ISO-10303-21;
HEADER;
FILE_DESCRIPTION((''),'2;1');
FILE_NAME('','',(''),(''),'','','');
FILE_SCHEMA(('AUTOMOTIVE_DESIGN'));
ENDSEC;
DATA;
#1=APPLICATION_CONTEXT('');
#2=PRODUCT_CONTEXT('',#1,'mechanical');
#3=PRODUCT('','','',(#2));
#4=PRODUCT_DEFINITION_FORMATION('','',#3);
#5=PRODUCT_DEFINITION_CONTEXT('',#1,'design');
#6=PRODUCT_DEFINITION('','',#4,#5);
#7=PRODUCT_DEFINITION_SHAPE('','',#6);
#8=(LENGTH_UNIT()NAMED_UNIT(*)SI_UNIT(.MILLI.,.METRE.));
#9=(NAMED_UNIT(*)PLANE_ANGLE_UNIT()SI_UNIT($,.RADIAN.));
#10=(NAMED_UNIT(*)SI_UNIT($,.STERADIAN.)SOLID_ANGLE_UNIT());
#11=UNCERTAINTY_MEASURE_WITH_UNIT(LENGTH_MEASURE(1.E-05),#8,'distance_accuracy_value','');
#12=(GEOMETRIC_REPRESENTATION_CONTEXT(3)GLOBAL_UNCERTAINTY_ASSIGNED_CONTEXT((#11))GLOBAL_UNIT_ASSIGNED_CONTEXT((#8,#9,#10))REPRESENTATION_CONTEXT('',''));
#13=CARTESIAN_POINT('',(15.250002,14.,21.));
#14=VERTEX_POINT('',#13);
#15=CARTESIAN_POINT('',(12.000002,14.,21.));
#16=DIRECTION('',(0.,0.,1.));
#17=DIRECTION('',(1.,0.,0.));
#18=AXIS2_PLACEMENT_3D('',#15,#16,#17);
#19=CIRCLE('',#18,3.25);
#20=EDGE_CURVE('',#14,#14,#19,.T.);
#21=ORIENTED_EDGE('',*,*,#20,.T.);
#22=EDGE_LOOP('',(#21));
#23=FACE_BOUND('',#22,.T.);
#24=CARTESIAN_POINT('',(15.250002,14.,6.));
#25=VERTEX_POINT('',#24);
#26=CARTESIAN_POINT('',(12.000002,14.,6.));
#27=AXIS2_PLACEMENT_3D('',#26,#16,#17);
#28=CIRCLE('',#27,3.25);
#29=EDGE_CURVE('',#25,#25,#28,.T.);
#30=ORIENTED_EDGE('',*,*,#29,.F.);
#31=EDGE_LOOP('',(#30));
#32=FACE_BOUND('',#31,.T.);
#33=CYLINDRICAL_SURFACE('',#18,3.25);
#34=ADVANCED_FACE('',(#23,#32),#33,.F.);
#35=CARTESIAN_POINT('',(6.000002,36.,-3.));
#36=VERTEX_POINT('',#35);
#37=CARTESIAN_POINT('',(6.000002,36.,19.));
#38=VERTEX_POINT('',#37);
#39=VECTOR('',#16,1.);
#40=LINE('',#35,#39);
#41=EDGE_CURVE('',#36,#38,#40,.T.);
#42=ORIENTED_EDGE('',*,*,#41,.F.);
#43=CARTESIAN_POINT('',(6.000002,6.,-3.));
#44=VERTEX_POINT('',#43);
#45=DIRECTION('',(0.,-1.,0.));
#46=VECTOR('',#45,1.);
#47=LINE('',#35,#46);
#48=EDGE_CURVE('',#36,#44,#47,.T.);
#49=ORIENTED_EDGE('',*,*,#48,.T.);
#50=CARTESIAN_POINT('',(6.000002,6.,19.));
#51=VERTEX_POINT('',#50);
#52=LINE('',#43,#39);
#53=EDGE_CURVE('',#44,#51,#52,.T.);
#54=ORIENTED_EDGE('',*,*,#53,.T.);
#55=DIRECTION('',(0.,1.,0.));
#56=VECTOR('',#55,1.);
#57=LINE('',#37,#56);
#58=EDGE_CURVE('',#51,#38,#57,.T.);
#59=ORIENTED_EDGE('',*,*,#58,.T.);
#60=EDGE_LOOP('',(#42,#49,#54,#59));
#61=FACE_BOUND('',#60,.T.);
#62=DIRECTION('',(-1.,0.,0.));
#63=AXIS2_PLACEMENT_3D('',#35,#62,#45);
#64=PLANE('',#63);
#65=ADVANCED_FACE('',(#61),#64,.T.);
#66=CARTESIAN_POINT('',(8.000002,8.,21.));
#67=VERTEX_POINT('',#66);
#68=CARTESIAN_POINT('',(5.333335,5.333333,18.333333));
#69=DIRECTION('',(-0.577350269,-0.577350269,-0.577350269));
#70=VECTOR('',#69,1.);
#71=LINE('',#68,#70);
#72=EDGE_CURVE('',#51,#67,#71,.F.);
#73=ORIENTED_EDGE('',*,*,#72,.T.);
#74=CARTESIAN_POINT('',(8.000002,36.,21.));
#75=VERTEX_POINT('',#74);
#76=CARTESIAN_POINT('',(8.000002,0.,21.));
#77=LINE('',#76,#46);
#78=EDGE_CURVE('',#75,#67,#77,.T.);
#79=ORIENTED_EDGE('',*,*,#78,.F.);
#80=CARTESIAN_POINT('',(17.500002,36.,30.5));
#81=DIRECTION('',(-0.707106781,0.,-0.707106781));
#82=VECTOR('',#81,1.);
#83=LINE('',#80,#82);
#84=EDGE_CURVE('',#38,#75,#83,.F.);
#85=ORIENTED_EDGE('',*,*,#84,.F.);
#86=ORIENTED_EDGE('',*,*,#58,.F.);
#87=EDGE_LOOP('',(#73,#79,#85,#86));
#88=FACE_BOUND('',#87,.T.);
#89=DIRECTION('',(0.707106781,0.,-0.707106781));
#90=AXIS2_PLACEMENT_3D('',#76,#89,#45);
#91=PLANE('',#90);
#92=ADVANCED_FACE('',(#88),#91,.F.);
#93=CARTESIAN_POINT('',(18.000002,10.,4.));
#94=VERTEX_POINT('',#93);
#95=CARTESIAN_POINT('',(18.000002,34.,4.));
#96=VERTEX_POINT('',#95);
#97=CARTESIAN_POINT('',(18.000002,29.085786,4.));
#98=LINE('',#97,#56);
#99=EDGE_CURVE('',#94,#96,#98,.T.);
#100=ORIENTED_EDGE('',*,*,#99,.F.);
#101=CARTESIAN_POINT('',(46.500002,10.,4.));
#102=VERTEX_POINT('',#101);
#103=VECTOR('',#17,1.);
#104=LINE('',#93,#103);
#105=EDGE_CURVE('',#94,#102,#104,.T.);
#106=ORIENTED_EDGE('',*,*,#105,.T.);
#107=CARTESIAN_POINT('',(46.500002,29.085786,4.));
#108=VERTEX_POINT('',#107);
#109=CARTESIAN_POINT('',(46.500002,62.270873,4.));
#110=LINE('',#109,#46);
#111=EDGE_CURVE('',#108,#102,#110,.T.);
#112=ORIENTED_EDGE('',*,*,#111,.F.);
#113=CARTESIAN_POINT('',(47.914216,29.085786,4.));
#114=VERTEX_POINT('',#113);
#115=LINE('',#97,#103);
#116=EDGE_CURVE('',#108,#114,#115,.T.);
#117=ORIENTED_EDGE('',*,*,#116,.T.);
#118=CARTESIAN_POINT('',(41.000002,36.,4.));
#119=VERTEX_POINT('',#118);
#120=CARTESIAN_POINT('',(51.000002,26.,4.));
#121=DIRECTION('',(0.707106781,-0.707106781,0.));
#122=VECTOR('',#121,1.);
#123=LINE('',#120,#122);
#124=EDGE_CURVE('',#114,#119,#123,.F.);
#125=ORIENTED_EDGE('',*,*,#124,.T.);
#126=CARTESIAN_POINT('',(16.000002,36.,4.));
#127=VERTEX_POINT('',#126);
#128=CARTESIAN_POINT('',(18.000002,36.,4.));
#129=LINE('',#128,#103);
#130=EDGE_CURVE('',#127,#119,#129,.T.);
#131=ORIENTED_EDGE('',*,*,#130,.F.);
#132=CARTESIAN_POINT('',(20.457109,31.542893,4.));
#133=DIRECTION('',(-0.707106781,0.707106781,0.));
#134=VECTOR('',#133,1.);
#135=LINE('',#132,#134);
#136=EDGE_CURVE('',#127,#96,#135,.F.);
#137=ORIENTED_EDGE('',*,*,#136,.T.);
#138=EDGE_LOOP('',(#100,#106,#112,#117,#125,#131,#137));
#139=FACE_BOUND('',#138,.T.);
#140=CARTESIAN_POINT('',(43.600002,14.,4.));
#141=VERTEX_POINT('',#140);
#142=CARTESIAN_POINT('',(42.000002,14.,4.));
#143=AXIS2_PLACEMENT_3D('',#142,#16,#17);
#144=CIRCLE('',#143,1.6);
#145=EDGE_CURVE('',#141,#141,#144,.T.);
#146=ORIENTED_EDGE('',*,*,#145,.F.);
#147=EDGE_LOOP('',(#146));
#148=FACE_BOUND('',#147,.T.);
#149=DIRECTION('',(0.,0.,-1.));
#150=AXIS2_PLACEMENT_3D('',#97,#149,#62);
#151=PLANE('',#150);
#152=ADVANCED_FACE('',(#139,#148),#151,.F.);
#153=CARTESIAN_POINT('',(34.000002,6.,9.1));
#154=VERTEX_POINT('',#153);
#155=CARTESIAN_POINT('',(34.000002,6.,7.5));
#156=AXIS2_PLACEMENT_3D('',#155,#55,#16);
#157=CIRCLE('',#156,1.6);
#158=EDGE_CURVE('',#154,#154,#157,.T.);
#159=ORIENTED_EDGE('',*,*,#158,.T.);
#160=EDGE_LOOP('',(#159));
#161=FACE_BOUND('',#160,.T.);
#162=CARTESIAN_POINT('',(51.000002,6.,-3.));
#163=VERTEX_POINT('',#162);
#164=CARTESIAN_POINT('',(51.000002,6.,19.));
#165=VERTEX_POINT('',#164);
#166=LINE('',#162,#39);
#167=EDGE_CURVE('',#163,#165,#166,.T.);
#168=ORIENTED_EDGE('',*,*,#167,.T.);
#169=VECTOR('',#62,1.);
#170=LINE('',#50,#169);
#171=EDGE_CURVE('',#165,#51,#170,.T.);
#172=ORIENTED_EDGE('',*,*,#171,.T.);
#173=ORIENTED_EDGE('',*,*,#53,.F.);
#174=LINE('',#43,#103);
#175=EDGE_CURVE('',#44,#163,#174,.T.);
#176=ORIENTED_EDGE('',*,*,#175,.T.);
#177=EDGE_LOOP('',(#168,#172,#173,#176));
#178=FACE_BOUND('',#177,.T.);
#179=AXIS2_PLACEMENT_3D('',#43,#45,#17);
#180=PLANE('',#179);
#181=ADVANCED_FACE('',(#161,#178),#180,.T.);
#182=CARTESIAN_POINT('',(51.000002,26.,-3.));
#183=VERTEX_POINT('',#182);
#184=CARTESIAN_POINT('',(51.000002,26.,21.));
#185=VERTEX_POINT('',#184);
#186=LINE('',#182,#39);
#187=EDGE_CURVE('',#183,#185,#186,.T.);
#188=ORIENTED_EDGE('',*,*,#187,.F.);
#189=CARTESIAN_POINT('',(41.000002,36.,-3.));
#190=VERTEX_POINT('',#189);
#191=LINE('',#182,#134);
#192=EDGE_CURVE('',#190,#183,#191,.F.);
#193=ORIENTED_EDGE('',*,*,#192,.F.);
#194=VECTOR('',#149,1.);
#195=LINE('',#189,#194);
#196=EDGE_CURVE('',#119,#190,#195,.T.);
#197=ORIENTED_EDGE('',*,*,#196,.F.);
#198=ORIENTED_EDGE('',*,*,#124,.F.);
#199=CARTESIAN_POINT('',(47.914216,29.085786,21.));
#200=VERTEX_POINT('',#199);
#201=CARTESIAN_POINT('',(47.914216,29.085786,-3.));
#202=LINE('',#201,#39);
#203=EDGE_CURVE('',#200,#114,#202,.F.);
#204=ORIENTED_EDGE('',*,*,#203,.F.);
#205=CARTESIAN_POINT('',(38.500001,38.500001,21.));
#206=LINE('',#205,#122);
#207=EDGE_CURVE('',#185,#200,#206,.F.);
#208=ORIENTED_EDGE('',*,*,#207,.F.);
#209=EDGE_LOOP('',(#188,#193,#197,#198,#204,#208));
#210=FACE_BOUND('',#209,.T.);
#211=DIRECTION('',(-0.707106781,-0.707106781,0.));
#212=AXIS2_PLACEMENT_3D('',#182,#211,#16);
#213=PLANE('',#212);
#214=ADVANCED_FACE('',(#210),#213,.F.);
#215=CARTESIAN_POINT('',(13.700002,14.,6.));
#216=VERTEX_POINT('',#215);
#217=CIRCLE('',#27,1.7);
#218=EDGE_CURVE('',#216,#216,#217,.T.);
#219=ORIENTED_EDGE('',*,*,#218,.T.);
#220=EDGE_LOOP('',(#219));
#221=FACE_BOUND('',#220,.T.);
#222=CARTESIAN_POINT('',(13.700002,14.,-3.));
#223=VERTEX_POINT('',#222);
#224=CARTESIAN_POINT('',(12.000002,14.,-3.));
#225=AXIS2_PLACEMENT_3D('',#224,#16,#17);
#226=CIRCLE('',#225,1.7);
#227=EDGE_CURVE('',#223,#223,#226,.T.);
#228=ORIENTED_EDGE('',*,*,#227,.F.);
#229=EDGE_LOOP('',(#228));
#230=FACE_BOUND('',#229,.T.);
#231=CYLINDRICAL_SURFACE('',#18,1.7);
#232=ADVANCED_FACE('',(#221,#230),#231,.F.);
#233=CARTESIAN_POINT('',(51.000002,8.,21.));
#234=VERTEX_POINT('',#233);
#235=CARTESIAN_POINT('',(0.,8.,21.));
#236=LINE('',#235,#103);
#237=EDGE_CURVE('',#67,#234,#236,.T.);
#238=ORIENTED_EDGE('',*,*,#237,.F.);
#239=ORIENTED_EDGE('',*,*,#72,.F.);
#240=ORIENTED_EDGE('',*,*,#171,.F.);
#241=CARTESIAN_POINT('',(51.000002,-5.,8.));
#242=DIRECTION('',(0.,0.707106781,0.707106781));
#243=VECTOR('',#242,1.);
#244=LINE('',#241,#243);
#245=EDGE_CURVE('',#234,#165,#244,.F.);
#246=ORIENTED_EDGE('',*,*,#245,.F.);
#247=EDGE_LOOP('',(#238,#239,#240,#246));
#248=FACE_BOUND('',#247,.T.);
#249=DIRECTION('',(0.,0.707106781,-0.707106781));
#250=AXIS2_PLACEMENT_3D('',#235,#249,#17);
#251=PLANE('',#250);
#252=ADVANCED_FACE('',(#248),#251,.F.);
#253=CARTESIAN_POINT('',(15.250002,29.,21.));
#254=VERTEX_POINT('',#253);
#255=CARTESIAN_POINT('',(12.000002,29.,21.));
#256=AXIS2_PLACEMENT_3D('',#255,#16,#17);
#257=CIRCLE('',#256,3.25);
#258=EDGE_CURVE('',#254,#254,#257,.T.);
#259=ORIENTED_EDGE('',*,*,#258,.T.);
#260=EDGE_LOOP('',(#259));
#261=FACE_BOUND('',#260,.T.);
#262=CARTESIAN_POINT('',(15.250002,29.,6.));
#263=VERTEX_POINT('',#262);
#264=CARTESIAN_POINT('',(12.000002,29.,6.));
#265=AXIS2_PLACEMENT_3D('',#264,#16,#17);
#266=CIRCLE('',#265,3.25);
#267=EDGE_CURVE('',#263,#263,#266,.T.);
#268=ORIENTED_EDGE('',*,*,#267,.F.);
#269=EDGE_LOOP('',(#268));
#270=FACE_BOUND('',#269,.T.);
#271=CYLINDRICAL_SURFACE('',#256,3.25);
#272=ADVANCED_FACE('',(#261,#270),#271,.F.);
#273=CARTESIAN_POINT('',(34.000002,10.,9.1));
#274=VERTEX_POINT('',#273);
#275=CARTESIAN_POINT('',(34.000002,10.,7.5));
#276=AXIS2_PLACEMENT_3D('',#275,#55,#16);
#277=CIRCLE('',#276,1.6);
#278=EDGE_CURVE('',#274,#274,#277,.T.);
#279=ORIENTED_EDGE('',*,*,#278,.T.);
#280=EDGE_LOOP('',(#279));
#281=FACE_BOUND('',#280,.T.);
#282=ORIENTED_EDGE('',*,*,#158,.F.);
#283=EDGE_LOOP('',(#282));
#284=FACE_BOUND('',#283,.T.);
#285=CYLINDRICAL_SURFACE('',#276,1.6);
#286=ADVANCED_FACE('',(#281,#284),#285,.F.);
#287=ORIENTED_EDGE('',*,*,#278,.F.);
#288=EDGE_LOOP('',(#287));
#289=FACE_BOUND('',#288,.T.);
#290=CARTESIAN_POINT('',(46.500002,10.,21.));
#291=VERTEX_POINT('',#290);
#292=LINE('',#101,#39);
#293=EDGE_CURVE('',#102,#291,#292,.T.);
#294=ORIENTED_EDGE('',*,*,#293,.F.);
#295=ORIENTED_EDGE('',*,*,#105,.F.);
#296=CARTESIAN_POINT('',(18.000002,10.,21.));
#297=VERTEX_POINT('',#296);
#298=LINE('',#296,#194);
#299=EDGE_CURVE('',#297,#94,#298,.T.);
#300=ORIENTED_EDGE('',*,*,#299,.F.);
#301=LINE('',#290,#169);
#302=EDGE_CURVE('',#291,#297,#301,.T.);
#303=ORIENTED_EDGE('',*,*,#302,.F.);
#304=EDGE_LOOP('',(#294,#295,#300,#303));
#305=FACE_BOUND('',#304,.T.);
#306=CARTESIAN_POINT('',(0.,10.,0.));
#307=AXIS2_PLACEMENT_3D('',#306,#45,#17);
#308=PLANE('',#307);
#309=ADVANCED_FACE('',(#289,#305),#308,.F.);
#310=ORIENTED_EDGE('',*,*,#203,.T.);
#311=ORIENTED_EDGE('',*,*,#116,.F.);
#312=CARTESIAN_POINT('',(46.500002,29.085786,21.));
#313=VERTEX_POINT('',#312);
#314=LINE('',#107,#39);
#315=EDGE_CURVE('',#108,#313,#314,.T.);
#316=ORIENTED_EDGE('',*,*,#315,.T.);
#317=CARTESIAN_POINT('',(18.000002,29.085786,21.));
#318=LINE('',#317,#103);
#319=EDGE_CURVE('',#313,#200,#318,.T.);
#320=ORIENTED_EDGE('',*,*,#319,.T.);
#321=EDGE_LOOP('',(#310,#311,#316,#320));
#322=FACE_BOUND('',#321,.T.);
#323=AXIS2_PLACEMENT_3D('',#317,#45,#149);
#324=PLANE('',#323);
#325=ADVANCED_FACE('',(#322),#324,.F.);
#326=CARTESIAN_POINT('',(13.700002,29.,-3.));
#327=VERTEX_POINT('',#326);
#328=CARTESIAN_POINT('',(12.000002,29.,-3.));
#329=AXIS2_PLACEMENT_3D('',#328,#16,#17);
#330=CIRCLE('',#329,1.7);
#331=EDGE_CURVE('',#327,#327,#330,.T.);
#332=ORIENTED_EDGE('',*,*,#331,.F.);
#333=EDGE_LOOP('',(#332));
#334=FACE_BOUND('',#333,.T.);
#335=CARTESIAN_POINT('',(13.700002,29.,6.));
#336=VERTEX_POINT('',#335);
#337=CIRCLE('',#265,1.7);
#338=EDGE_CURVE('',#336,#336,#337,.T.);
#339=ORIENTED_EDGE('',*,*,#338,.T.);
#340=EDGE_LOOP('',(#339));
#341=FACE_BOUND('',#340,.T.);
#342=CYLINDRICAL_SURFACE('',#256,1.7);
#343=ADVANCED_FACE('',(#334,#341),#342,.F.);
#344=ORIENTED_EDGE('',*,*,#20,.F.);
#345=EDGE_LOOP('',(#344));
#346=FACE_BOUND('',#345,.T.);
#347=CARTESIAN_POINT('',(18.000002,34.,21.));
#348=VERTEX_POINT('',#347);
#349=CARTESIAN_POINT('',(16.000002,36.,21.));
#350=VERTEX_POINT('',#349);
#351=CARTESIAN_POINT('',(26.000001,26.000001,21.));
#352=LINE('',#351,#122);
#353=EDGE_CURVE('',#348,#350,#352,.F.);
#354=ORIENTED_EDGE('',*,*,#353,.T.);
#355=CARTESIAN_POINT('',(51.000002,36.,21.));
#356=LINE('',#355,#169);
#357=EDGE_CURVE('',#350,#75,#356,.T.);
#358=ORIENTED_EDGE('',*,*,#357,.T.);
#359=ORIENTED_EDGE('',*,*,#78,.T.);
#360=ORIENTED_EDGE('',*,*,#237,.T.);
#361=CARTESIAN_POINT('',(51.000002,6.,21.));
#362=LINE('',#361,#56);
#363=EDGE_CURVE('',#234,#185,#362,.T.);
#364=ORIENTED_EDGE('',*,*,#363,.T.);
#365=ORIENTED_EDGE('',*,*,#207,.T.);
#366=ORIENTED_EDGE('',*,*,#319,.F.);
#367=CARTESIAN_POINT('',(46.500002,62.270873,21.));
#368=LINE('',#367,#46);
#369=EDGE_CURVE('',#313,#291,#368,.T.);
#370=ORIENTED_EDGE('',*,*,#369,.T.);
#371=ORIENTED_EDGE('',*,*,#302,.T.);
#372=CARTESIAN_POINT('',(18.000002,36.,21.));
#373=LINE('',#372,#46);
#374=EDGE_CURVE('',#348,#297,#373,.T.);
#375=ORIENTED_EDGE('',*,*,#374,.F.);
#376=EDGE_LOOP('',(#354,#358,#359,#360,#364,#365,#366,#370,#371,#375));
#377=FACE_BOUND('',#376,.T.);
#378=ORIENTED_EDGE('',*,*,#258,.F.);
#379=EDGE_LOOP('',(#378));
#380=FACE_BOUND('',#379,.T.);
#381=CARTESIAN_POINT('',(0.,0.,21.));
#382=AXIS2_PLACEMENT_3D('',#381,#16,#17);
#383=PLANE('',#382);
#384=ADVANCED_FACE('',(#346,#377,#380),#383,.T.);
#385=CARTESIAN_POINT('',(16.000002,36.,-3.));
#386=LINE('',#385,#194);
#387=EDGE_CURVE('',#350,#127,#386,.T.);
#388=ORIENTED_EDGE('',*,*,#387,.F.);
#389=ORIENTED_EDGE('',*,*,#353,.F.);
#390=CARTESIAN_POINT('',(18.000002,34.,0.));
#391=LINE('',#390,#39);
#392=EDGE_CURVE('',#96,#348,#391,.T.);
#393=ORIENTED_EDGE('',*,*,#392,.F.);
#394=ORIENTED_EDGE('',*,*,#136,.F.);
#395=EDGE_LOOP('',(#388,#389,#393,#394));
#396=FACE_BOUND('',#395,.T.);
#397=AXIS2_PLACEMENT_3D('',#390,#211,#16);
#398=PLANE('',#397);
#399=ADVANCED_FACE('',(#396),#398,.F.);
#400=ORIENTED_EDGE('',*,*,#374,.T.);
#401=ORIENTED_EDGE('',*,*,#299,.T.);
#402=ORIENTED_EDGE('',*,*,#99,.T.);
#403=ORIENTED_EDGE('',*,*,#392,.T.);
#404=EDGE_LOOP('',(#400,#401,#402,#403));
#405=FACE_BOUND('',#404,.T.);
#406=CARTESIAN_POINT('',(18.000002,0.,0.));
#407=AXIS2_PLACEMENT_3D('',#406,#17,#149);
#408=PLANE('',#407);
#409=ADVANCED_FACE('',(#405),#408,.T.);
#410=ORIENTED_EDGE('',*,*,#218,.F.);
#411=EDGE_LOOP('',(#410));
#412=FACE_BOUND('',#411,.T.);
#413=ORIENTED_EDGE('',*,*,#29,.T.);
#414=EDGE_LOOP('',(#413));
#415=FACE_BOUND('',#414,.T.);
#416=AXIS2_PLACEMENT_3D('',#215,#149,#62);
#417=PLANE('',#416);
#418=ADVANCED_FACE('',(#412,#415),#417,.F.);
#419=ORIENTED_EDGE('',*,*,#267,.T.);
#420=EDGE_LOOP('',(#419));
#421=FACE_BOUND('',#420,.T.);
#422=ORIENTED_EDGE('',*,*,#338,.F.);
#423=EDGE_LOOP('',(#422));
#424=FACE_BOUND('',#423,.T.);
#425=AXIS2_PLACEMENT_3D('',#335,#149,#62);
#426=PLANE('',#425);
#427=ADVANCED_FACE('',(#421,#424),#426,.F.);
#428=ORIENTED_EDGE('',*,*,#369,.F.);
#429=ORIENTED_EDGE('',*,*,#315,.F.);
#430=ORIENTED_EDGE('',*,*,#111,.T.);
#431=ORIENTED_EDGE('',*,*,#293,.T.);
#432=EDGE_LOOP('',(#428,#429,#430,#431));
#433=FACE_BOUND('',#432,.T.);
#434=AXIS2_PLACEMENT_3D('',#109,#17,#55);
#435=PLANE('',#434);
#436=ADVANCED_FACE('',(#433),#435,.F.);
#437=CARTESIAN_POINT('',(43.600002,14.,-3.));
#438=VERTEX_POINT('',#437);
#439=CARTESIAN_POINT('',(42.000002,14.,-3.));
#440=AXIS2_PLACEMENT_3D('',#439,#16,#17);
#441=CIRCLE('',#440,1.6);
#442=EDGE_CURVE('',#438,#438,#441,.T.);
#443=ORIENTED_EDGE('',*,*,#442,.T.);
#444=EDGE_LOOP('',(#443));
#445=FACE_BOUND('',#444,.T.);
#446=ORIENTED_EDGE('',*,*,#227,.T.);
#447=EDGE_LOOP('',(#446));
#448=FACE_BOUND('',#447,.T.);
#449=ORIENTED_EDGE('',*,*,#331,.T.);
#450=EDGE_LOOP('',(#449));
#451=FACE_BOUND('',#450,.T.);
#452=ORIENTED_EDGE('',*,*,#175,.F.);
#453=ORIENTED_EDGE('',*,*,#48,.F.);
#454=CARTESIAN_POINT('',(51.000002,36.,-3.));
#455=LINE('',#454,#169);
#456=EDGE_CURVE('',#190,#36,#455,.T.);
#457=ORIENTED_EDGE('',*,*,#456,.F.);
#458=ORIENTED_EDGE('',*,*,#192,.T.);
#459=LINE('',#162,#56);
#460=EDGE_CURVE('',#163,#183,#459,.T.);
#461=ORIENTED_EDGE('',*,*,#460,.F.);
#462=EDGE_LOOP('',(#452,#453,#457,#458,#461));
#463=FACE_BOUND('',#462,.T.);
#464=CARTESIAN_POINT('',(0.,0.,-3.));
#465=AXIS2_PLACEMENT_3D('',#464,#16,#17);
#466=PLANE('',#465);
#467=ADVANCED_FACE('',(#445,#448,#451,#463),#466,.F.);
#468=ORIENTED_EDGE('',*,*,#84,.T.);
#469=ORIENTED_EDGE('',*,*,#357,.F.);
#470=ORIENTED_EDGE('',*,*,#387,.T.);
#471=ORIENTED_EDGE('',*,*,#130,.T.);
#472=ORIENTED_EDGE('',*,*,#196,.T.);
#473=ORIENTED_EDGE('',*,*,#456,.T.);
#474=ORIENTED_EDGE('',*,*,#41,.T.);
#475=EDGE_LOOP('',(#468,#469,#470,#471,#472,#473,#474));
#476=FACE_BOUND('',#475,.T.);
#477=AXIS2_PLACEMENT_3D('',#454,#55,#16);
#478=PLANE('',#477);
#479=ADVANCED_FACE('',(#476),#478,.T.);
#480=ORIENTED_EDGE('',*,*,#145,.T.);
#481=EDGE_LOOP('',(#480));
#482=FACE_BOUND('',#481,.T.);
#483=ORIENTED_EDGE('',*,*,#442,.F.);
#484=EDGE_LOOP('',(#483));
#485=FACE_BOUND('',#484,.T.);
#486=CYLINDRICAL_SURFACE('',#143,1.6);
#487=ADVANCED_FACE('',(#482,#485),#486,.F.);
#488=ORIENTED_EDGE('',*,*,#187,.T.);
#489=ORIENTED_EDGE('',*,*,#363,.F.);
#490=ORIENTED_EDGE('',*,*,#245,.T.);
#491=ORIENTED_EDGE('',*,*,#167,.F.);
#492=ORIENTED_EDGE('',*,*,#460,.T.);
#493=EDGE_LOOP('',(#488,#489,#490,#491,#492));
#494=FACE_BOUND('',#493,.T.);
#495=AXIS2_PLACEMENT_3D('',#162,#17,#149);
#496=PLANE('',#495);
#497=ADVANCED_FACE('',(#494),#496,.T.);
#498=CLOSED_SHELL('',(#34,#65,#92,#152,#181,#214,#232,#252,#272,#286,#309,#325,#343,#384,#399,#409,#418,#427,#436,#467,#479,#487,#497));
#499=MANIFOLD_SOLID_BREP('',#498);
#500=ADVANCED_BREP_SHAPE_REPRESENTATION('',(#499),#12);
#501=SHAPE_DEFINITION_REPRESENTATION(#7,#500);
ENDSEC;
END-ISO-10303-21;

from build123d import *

# Parameters (mm, degrees)
SKETCH_1_W                  = 45
SKETCH_1_H                  = 30
EXTRUDE_1_DEPTH             = 24
SKETCH_2_W                  = 17
SKETCH_2_H                  = 6.914213562
CUT_EXTRUDE_1_DEPTH         = 33
CUT_EXTRUDE_2_REACH         = 62.975
SKETCH_4_W                  = 28.5
SKETCH_4_H                  = 17
HOLE_WIZARD_3_2_3_2_1_D     = 3.2
HOLE_WIZARD_3_2_3_2_2_D     = 3.2
HOLE_WIZARD_M31_D           = 3.4
HOLE_WIZARD_M31_CBORE_D     = 6.5
HOLE_WIZARD_M31_CBORE_DEPTH = 15
CHAMFER_1_SIZE              = 2
CHAMFER_2_SIZE              = 10


with BuildPart() as part:
    # Эскиз1 → Бобышка-Вытянуть1 (new body)
    with BuildSketch(Plane.XY.offset(21)):
        with Locations((28.500002027, 21)):
            Rectangle(SKETCH_1_W, SKETCH_1_H)
    extrude(amount=-EXTRUDE_1_DEPTH)

    # Эскиз2 → Вырез-Вытянуть1 (cut)
    with BuildSketch(Plane(origin=(51.000002027, 0, 0), x_dir=(0, 0, -1), z_dir=(1, 0, 0))):
        with Locations((-12.5, 32.542893219)):
            Rectangle(SKETCH_2_W, SKETCH_2_H)
    extrude(amount=-CUT_EXTRUDE_1_DEPTH, mode=Mode.SUBTRACT)

    # Эскиз4 → Вырез-Вытянуть2 (cut, up to next)
    with BuildSketch(Plane.XZ.offset(-10), mode=Mode.PRIVATE) as cut_extrude_2_sk1:
        with Locations((32.250002027, 12.5)):
            Rectangle(SKETCH_4_W, SKETCH_4_H)
    cut_extrude_2_tool1 = extrude(cut_extrude_2_sk1.sketch, amount=-CUT_EXTRUDE_2_REACH, mode=Mode.PRIVATE) & part.part
    add(cut_extrude_2_tool1.solids().sort_by_distance((32.250002, 10, 12.5))[0], mode=Mode.SUBTRACT)

    # Диаметр отверстия Ø3.2 (3.2)1 (through all)
    with Locations(Plane.XY.offset(4)):
        with Locations((42.000002027, 14)):
            Hole(HOLE_WIZARD_3_2_3_2_1_D / 2)

    # Диаметр отверстия Ø3.2 (3.2)2 (through all)
    with Locations(Plane(origin=(0, 10, 0), x_dir=(1, 0, 0), z_dir=(0, 1, 0))):
        with Locations((34.000002027, -7.5)):
            Hole(HOLE_WIZARD_3_2_3_2_2_D / 2)

    # Цековка для винта с заклепочной головкой M31 (through all)
    with Locations(Plane.XY.offset(21)):
        with Locations((12.000002027, 29), (12.000002027, 14)):
            CounterBoreHole(HOLE_WIZARD_M31_D / 2, HOLE_WIZARD_M31_CBORE_D / 2, HOLE_WIZARD_M31_CBORE_DEPTH)

    # Фаска1
    chamfer_1_edges = [part.edges().sort_by_distance(p)[0] for p in [
        (18.000002027, 36, 12.5),
        (6.000002027, 21, 21),
        (28.500002027, 6, 21),
    ]]
    chamfer(chamfer_1_edges, length=CHAMFER_1_SIZE)

    # Фаска2
    chamfer_2_edges = [part.edges().sort_by_distance(p)[0] for p in [
        (51.000002027, 36, 0.5),
    ]]
    chamfer(chamfer_2_edges, length=CHAMFER_2_SIZE)


solid = part.part
